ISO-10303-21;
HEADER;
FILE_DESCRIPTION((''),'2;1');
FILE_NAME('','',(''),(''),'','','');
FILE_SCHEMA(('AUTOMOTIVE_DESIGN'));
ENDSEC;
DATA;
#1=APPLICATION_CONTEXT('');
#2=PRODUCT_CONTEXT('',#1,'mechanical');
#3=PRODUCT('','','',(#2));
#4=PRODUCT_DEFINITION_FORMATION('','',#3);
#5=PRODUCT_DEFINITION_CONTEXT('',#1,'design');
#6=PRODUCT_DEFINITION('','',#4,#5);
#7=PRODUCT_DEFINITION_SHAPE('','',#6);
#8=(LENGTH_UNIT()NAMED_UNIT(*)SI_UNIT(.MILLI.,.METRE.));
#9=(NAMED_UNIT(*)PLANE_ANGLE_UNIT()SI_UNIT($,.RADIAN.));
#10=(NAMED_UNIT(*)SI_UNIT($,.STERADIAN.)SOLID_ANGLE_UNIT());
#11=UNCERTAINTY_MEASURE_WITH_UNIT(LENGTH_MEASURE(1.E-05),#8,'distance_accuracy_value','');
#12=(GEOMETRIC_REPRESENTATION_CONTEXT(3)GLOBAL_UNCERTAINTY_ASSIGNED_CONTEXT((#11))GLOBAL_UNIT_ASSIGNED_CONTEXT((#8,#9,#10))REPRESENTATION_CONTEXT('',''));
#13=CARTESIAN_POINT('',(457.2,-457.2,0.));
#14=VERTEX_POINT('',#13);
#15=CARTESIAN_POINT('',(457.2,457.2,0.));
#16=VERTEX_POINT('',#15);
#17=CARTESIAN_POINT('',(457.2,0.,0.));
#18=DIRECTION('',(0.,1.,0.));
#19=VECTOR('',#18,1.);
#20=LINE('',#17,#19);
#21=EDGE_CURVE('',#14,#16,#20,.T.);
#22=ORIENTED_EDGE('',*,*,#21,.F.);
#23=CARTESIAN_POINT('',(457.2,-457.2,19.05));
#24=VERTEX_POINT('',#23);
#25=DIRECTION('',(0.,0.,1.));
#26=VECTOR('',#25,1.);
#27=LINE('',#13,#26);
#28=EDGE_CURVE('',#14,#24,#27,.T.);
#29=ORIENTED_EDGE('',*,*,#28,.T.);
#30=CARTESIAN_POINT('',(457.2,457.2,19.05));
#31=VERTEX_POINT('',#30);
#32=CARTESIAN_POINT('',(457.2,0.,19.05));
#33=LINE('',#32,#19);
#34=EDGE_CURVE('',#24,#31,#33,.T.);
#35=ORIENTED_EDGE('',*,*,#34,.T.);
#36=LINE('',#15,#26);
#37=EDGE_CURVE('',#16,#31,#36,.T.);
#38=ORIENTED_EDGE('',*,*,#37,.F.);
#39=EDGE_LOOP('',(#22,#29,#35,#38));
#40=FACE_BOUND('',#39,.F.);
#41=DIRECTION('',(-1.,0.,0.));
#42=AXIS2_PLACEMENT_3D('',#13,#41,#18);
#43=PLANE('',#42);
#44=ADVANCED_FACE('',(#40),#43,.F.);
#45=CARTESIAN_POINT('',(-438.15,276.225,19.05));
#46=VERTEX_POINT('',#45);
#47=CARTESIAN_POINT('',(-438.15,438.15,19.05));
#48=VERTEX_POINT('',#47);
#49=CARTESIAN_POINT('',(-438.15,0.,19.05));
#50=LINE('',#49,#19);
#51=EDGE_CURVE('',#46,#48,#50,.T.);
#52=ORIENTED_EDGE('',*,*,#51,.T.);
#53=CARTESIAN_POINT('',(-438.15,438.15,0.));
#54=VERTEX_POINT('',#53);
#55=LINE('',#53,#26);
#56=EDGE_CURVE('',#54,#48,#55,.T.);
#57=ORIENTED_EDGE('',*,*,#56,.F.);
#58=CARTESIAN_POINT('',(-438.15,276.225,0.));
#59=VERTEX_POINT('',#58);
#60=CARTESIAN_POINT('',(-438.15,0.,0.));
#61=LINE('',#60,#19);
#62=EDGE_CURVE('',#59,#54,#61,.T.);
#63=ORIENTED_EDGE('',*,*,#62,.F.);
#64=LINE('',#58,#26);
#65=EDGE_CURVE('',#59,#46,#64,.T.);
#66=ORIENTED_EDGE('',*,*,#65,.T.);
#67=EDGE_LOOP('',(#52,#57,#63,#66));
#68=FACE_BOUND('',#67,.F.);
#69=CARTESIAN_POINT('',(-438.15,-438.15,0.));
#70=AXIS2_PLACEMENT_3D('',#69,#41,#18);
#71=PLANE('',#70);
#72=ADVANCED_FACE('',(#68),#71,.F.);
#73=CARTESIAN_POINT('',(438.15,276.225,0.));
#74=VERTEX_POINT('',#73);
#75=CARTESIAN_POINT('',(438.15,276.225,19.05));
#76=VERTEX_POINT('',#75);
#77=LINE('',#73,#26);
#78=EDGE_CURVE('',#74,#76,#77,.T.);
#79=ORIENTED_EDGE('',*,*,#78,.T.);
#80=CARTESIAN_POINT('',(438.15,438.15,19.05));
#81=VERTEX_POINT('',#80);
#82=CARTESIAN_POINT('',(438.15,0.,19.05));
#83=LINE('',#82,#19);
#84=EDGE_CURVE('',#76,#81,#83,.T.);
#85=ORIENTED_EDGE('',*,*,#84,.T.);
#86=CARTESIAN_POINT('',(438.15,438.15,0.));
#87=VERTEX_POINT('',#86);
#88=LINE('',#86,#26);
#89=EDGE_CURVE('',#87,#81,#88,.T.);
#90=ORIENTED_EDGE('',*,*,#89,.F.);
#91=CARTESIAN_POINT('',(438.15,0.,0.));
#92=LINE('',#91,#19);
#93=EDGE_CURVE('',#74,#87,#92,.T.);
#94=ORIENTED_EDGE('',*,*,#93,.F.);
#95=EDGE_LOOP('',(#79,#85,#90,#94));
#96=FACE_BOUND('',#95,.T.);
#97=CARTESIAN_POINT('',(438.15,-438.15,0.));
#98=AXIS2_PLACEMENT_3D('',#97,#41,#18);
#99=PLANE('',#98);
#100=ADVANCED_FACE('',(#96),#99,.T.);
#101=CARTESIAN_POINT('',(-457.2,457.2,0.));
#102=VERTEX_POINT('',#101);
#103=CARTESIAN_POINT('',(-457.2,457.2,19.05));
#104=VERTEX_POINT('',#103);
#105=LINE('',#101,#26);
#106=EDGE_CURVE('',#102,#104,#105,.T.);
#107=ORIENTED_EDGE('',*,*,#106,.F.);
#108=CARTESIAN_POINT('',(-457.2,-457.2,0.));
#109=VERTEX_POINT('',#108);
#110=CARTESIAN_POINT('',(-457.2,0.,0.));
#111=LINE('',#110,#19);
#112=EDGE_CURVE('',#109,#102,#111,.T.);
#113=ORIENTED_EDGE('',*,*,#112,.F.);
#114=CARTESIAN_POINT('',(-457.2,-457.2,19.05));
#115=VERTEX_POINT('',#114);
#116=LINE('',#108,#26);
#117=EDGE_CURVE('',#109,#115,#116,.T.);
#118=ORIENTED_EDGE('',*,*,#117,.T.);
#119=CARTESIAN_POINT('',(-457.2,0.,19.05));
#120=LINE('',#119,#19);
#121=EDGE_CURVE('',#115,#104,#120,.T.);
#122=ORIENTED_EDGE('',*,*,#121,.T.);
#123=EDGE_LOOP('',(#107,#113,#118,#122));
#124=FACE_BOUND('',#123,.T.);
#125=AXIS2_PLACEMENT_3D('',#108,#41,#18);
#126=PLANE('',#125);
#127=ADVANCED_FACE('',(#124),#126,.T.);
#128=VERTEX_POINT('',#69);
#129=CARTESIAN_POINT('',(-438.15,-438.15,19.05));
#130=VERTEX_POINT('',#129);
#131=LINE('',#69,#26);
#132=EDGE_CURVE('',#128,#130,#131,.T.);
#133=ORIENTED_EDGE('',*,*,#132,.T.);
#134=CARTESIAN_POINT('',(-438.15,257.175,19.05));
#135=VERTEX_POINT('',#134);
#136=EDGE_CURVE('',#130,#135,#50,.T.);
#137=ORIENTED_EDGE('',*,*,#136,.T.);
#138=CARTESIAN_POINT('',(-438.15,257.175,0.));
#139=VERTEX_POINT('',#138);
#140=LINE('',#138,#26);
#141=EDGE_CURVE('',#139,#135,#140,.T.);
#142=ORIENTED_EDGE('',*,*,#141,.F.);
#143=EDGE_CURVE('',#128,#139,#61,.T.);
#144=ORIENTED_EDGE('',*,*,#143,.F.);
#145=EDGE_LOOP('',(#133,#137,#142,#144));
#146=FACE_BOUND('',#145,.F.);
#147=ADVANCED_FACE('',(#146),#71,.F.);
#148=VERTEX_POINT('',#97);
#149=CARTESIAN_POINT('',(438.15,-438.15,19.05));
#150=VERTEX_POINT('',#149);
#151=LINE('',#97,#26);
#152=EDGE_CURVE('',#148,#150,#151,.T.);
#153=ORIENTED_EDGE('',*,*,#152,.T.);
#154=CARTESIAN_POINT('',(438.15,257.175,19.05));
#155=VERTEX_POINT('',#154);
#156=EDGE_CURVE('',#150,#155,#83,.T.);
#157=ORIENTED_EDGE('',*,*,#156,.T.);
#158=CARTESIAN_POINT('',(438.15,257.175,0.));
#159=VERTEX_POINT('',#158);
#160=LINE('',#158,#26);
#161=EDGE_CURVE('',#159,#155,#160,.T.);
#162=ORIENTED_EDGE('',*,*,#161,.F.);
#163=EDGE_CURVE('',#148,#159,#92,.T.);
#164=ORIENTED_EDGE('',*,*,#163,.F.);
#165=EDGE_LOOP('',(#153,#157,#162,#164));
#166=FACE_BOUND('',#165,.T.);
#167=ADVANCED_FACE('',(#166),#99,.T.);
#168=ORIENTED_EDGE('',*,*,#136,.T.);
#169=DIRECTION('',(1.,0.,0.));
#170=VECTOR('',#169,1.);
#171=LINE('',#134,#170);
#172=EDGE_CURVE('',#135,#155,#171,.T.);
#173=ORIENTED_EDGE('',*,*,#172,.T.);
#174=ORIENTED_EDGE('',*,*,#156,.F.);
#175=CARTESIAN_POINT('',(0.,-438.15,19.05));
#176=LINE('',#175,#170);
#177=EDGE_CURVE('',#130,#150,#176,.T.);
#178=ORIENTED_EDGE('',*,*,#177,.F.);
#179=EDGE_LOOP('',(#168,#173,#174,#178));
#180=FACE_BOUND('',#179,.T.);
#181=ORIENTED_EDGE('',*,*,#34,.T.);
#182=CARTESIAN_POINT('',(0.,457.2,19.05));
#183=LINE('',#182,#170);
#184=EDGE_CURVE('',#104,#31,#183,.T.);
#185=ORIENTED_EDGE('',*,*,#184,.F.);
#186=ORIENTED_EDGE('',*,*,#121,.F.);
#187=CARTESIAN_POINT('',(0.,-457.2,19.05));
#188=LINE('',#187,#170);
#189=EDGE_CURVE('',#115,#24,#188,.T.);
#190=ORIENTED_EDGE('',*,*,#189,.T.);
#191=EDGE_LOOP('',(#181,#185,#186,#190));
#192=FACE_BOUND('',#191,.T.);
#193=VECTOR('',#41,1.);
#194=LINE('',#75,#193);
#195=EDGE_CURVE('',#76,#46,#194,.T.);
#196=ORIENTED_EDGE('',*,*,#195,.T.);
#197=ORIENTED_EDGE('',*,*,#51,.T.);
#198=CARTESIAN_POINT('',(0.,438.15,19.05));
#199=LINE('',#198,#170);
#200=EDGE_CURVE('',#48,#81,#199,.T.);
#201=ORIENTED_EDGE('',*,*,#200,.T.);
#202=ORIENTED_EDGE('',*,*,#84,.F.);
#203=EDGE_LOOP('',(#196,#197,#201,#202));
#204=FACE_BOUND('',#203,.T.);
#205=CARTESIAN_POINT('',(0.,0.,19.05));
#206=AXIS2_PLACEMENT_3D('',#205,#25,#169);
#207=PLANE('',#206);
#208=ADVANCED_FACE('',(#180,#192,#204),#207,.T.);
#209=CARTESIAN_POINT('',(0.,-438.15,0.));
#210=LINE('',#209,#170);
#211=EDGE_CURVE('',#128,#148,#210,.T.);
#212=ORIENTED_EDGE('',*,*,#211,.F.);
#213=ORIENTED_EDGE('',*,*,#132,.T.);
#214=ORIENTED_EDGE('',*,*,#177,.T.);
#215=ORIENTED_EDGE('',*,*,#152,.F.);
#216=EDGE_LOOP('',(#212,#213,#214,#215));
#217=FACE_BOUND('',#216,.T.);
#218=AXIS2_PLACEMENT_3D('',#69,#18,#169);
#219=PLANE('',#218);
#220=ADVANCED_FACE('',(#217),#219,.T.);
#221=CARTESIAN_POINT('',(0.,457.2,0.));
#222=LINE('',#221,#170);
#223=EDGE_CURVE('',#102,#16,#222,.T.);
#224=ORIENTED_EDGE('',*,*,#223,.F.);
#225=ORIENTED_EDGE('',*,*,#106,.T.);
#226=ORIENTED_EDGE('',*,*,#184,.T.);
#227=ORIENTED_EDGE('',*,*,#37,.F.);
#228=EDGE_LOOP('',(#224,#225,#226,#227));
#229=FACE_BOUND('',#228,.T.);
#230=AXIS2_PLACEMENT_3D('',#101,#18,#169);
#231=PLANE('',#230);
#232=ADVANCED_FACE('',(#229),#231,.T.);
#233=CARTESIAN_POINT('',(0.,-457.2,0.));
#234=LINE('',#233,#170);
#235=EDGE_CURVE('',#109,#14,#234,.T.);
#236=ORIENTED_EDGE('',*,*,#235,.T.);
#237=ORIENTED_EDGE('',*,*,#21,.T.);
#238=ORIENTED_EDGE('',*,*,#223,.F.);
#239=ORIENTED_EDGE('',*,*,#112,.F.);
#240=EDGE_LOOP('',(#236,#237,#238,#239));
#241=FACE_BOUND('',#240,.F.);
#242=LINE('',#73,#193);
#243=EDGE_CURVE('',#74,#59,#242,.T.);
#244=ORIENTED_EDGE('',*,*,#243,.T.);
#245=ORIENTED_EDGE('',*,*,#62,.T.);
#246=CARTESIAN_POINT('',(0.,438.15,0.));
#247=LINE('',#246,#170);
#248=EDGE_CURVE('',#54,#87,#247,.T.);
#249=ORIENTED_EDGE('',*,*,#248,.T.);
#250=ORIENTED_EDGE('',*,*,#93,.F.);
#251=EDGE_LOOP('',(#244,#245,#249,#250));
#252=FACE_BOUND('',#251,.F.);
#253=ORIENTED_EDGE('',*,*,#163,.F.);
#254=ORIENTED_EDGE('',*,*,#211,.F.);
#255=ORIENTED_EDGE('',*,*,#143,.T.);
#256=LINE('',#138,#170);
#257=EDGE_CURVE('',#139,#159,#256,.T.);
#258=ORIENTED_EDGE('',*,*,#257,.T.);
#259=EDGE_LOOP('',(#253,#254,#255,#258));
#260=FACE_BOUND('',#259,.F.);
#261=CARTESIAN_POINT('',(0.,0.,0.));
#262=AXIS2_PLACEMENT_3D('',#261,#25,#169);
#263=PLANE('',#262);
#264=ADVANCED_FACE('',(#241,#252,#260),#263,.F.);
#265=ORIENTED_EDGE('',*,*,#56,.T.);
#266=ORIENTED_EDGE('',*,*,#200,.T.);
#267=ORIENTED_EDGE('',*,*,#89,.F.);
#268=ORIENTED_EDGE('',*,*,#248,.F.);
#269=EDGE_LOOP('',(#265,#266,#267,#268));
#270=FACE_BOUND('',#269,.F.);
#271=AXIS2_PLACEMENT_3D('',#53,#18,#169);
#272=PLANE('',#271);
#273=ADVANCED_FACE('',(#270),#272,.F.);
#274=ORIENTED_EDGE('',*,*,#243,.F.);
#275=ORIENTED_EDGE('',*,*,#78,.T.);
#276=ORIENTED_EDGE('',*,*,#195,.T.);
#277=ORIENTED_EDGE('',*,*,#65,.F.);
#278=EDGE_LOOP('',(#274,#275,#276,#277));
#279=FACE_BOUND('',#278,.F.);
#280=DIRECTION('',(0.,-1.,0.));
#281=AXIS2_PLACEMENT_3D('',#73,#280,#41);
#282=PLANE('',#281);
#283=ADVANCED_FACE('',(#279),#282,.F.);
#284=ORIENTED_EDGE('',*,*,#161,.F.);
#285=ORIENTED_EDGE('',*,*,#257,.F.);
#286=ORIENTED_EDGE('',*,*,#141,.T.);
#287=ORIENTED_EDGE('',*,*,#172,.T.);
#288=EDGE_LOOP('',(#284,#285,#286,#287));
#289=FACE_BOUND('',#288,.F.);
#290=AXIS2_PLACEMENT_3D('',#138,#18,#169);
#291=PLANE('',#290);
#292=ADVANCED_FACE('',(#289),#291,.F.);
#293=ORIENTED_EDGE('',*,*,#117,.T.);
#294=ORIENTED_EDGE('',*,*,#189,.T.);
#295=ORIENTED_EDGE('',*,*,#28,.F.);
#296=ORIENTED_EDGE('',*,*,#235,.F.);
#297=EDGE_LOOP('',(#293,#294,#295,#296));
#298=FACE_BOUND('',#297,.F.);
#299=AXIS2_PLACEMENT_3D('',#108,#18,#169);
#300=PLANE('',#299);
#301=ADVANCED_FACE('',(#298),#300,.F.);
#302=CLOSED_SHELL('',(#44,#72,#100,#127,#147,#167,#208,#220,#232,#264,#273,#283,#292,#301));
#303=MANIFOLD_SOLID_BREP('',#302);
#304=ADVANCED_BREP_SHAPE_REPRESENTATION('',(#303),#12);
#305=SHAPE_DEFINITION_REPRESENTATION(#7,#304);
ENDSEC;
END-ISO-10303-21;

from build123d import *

# Parameters (mm, degrees)
F0_W     = 914.4
F0_H     = 914.4
F0_W_2   = 876.3
F0_H_2   = 876.3
F1_DEPTH = 19.05
F3_DEPTH = 19.05


with BuildPart() as f1:
    # F0 (on Top) → F1 (new body)
    with BuildSketch(Plane.XY):
        Rectangle(F0_W, F0_H)
        Rectangle(F0_W_2, F0_H_2, mode=Mode.SUBTRACT)
    extrude(amount=F1_DEPTH)

    # F2 (on Top) → F3 (join)
    with BuildSketch(Plane.XY):
        Polygon((438.15, 257.175), (438.15, 276.225), (-438.15, 276.225), (-438.15, 257.175), (0, 257.175), align=None)
    extrude(amount=F3_DEPTH)


solid = f1.part
